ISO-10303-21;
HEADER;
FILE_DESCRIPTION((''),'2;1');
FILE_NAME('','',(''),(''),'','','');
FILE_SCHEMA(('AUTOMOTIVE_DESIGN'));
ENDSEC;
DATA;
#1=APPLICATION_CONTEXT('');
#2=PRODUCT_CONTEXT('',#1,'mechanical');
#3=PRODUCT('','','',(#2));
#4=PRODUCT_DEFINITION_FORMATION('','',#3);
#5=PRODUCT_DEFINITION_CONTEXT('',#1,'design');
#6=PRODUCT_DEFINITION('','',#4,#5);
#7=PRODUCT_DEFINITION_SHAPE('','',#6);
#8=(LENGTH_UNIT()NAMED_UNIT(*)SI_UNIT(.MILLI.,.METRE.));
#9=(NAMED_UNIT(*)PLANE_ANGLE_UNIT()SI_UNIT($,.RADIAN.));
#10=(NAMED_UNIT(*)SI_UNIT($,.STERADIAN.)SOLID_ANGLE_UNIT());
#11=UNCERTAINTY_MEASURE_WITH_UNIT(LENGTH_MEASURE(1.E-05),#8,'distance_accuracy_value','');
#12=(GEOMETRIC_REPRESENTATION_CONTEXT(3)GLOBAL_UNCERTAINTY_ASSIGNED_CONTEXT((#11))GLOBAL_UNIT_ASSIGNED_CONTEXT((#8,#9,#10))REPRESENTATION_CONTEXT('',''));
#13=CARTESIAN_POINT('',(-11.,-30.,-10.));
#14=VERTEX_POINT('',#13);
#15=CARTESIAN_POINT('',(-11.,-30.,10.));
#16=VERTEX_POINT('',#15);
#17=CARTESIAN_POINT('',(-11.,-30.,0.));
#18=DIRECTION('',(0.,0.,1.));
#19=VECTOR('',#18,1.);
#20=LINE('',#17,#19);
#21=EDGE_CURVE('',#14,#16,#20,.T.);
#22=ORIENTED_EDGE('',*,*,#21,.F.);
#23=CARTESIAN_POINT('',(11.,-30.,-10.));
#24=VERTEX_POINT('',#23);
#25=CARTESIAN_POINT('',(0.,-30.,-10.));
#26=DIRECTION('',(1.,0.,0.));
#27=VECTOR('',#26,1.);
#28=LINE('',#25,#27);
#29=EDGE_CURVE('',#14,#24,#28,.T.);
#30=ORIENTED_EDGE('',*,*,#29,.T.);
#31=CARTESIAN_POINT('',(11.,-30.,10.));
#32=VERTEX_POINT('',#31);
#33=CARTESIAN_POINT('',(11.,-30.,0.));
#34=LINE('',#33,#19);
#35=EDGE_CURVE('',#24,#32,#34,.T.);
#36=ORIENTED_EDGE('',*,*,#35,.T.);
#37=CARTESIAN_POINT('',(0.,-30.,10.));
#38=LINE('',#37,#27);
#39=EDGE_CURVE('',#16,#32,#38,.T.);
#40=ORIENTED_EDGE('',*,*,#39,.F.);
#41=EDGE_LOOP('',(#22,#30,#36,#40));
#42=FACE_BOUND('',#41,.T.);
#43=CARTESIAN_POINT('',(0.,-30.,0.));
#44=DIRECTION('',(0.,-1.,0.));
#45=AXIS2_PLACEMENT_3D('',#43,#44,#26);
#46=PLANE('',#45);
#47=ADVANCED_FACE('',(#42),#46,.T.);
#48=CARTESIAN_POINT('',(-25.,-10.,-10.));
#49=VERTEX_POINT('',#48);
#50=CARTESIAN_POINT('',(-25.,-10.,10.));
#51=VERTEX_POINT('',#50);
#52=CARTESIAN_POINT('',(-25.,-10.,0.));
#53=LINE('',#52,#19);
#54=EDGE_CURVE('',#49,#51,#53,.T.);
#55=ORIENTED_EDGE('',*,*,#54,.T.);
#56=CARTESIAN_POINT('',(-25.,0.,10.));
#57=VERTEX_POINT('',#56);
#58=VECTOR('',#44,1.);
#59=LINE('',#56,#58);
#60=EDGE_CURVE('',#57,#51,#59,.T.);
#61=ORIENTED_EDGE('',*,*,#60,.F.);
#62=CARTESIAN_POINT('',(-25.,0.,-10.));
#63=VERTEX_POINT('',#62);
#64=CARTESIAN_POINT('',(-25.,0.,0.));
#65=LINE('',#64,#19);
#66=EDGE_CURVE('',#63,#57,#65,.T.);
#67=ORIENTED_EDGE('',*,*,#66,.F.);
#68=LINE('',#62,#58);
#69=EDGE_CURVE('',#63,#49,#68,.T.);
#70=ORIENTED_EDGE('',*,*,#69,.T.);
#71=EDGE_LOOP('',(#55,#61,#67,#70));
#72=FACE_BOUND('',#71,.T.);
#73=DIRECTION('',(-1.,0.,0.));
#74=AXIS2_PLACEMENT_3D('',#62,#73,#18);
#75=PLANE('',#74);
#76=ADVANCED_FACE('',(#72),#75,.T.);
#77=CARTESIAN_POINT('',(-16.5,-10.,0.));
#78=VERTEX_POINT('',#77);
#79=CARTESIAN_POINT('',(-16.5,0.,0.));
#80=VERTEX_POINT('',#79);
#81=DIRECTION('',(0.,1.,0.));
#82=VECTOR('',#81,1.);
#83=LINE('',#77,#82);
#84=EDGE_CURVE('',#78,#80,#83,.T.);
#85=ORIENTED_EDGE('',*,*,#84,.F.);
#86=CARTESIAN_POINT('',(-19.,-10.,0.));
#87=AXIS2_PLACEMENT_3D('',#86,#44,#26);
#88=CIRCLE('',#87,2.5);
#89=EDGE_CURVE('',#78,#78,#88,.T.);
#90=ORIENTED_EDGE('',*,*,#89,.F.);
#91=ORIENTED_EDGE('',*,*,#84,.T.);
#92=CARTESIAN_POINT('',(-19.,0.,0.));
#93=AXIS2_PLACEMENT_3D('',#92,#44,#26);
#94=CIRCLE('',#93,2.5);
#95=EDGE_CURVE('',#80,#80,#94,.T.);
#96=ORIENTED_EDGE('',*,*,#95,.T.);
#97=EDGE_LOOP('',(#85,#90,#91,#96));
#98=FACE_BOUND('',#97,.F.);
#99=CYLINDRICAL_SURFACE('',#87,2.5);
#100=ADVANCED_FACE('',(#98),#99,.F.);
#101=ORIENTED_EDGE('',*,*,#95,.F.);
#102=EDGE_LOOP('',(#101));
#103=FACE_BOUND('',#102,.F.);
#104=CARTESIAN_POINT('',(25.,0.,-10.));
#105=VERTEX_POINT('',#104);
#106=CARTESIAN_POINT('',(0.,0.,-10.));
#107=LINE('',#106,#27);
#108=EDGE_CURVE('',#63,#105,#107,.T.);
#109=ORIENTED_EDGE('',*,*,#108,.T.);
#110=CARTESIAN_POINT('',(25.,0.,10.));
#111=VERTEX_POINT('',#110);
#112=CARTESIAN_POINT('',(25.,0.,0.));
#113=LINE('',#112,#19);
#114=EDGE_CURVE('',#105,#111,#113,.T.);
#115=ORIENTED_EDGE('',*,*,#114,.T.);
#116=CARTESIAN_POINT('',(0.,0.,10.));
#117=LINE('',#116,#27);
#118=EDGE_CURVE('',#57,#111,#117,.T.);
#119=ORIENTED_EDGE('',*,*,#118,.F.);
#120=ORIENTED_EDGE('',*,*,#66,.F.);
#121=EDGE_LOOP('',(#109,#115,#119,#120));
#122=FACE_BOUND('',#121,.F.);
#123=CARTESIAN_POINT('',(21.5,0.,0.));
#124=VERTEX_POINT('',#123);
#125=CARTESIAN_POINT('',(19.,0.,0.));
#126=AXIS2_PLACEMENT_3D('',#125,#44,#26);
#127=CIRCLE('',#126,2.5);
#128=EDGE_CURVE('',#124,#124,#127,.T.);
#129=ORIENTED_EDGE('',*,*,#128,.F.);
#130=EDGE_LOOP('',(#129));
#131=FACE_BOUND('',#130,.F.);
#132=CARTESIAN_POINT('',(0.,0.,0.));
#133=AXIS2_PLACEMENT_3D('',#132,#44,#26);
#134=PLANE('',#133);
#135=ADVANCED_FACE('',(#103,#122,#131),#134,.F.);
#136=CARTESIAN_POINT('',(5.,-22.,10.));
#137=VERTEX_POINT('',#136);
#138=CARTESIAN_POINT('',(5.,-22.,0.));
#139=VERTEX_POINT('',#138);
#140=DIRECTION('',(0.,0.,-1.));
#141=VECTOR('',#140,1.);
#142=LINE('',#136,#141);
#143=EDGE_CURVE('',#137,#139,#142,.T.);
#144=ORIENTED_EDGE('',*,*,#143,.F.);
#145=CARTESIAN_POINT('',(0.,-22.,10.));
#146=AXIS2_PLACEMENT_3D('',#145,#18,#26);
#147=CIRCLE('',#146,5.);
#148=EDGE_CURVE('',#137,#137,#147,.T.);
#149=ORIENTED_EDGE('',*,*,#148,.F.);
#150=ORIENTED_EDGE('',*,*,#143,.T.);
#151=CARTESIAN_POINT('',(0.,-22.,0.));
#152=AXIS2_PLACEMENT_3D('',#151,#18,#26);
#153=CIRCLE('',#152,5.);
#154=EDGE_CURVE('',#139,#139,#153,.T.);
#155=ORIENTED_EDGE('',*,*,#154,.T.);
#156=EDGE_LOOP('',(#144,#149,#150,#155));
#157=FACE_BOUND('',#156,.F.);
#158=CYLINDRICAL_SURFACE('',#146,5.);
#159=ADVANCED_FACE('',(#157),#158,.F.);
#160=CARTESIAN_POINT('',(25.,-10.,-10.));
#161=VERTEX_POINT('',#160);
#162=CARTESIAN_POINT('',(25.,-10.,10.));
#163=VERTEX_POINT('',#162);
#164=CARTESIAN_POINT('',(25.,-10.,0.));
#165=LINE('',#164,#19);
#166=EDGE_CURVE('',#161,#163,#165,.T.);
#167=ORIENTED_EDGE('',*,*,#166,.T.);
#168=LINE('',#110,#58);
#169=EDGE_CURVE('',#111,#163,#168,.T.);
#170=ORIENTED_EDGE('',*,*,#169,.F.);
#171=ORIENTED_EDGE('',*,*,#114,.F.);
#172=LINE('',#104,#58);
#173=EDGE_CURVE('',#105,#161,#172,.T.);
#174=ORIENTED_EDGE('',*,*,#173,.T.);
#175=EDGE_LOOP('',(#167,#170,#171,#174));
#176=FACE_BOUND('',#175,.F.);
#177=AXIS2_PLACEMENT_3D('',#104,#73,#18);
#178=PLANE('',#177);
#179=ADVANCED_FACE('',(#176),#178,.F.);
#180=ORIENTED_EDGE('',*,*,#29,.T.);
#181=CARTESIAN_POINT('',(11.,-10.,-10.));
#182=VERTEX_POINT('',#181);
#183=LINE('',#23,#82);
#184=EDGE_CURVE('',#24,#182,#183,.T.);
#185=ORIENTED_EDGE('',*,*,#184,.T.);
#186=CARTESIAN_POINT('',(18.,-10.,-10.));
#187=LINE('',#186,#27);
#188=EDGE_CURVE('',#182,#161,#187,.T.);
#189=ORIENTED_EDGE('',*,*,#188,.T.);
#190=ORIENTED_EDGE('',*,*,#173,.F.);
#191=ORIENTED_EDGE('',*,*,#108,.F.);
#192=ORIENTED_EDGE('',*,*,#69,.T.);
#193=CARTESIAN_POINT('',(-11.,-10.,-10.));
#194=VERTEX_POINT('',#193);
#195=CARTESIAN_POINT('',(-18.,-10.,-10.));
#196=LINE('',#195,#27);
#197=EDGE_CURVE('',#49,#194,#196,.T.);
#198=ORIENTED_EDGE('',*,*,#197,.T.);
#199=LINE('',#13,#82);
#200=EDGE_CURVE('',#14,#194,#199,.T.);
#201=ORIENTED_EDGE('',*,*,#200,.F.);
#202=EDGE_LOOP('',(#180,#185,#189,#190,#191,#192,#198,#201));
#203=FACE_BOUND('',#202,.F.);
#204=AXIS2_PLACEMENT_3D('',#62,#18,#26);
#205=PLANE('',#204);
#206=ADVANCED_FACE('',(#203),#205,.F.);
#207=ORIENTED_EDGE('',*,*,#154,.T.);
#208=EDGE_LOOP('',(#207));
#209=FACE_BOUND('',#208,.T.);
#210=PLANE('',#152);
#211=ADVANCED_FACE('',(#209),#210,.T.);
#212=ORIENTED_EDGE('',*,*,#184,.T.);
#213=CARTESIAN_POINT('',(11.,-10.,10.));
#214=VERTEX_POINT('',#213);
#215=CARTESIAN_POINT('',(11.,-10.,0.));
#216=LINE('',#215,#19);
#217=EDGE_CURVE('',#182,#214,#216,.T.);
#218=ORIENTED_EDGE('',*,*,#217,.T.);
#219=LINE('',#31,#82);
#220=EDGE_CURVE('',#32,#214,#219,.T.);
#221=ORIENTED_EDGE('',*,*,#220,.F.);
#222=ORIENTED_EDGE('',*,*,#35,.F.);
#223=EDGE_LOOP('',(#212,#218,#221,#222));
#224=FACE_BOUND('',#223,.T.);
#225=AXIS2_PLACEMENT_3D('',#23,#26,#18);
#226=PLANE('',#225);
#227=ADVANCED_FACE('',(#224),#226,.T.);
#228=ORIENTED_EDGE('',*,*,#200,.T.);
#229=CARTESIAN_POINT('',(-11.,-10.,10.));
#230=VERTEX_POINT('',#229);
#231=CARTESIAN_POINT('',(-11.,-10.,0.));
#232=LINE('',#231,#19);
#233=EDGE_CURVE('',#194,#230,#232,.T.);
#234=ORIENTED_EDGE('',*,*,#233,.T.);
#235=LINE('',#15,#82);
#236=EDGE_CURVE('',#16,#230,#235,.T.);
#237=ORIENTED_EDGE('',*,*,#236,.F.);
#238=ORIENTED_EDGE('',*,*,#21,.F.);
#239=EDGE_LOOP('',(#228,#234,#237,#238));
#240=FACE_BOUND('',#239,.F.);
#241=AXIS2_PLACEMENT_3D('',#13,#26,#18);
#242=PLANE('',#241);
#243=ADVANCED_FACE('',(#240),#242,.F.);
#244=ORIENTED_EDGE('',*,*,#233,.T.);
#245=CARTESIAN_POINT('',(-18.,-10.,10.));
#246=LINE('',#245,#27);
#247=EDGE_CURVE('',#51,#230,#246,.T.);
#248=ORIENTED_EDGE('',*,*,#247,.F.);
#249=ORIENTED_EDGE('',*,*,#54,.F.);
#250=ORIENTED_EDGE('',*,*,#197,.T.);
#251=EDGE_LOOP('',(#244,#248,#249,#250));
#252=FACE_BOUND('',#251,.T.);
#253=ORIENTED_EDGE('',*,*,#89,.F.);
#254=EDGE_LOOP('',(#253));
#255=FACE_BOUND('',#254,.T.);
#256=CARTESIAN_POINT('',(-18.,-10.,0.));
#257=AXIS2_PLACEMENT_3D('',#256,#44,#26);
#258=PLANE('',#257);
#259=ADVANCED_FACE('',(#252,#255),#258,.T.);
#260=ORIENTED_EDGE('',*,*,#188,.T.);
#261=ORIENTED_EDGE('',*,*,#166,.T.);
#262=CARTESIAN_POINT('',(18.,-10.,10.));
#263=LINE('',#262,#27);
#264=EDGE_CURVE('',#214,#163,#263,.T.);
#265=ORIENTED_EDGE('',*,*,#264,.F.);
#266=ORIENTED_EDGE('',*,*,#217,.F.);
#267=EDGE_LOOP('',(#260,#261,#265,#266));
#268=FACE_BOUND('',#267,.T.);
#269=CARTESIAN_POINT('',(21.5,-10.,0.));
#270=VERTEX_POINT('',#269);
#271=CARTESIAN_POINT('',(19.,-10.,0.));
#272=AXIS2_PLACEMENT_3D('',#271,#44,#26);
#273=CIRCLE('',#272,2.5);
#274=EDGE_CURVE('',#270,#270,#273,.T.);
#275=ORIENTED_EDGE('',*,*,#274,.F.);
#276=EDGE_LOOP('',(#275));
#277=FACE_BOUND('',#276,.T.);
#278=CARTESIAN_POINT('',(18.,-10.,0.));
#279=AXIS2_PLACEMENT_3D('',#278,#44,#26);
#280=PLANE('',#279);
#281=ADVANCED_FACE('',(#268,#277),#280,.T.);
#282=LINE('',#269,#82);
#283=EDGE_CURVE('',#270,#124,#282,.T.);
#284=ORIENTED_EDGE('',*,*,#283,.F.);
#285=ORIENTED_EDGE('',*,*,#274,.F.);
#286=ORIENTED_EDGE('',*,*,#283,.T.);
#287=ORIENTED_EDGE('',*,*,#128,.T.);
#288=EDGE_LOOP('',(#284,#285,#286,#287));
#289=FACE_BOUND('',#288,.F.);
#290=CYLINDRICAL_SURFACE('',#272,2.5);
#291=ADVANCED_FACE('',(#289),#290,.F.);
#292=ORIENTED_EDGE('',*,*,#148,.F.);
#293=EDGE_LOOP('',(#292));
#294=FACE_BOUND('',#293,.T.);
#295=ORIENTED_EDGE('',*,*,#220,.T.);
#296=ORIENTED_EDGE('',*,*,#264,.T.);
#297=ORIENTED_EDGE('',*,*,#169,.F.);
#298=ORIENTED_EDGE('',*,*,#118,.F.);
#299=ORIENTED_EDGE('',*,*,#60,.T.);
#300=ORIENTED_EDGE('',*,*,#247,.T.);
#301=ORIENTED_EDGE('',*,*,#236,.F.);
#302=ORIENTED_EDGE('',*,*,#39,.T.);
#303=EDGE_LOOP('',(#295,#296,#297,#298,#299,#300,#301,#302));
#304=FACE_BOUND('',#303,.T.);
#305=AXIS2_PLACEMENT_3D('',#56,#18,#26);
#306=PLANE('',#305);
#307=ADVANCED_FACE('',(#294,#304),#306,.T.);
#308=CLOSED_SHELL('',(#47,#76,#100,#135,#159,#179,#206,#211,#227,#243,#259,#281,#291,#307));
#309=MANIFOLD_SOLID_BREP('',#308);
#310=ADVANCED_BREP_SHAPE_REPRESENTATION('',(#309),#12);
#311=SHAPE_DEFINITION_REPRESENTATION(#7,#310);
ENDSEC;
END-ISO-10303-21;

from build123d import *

# Parameters (mm, degrees)
F0_W     = 50
F0_H     = 20
F1_DEPTH = 30
F2_W     = 14
F2_H     = 20
F3_DEPTH = 20
F4_R     = 5
F5_DEPTH = 10
F6_R     = 2.5
F7_DEPTH = 25


with BuildPart() as f1:
    # F0 (on Front) → F1 (new body)
    with BuildSketch(Plane.XZ):
        Rectangle(F0_W, F0_H)
    extrude(amount=F1_DEPTH)

    # F2 (on face) → F3 (cut)
    with BuildSketch(Plane.XZ.offset(30)):
        with Locations((-18, 0)):
            Rectangle(F2_W, F2_H)
        with Locations((18, 0)):
            Rectangle(F2_W, F2_H)
    extrude(amount=-F3_DEPTH, mode=Mode.SUBTRACT)

    # F4 (on face) → F5 (cut)
    with BuildSketch(Plane.XY.offset(10)):
        with Locations((0, -22)):
            Circle(F4_R)
    extrude(amount=-F5_DEPTH, mode=Mode.SUBTRACT)

    # F6 (on face) → F7 (cut)
    with BuildSketch(Plane.XZ.offset(10)):
        with Locations((-19, 0)):
            Circle(F6_R)
        with Locations((19, 0)):
            Circle(F6_R)
    extrude(amount=-F7_DEPTH, mode=Mode.SUBTRACT)


solid = f1.part
